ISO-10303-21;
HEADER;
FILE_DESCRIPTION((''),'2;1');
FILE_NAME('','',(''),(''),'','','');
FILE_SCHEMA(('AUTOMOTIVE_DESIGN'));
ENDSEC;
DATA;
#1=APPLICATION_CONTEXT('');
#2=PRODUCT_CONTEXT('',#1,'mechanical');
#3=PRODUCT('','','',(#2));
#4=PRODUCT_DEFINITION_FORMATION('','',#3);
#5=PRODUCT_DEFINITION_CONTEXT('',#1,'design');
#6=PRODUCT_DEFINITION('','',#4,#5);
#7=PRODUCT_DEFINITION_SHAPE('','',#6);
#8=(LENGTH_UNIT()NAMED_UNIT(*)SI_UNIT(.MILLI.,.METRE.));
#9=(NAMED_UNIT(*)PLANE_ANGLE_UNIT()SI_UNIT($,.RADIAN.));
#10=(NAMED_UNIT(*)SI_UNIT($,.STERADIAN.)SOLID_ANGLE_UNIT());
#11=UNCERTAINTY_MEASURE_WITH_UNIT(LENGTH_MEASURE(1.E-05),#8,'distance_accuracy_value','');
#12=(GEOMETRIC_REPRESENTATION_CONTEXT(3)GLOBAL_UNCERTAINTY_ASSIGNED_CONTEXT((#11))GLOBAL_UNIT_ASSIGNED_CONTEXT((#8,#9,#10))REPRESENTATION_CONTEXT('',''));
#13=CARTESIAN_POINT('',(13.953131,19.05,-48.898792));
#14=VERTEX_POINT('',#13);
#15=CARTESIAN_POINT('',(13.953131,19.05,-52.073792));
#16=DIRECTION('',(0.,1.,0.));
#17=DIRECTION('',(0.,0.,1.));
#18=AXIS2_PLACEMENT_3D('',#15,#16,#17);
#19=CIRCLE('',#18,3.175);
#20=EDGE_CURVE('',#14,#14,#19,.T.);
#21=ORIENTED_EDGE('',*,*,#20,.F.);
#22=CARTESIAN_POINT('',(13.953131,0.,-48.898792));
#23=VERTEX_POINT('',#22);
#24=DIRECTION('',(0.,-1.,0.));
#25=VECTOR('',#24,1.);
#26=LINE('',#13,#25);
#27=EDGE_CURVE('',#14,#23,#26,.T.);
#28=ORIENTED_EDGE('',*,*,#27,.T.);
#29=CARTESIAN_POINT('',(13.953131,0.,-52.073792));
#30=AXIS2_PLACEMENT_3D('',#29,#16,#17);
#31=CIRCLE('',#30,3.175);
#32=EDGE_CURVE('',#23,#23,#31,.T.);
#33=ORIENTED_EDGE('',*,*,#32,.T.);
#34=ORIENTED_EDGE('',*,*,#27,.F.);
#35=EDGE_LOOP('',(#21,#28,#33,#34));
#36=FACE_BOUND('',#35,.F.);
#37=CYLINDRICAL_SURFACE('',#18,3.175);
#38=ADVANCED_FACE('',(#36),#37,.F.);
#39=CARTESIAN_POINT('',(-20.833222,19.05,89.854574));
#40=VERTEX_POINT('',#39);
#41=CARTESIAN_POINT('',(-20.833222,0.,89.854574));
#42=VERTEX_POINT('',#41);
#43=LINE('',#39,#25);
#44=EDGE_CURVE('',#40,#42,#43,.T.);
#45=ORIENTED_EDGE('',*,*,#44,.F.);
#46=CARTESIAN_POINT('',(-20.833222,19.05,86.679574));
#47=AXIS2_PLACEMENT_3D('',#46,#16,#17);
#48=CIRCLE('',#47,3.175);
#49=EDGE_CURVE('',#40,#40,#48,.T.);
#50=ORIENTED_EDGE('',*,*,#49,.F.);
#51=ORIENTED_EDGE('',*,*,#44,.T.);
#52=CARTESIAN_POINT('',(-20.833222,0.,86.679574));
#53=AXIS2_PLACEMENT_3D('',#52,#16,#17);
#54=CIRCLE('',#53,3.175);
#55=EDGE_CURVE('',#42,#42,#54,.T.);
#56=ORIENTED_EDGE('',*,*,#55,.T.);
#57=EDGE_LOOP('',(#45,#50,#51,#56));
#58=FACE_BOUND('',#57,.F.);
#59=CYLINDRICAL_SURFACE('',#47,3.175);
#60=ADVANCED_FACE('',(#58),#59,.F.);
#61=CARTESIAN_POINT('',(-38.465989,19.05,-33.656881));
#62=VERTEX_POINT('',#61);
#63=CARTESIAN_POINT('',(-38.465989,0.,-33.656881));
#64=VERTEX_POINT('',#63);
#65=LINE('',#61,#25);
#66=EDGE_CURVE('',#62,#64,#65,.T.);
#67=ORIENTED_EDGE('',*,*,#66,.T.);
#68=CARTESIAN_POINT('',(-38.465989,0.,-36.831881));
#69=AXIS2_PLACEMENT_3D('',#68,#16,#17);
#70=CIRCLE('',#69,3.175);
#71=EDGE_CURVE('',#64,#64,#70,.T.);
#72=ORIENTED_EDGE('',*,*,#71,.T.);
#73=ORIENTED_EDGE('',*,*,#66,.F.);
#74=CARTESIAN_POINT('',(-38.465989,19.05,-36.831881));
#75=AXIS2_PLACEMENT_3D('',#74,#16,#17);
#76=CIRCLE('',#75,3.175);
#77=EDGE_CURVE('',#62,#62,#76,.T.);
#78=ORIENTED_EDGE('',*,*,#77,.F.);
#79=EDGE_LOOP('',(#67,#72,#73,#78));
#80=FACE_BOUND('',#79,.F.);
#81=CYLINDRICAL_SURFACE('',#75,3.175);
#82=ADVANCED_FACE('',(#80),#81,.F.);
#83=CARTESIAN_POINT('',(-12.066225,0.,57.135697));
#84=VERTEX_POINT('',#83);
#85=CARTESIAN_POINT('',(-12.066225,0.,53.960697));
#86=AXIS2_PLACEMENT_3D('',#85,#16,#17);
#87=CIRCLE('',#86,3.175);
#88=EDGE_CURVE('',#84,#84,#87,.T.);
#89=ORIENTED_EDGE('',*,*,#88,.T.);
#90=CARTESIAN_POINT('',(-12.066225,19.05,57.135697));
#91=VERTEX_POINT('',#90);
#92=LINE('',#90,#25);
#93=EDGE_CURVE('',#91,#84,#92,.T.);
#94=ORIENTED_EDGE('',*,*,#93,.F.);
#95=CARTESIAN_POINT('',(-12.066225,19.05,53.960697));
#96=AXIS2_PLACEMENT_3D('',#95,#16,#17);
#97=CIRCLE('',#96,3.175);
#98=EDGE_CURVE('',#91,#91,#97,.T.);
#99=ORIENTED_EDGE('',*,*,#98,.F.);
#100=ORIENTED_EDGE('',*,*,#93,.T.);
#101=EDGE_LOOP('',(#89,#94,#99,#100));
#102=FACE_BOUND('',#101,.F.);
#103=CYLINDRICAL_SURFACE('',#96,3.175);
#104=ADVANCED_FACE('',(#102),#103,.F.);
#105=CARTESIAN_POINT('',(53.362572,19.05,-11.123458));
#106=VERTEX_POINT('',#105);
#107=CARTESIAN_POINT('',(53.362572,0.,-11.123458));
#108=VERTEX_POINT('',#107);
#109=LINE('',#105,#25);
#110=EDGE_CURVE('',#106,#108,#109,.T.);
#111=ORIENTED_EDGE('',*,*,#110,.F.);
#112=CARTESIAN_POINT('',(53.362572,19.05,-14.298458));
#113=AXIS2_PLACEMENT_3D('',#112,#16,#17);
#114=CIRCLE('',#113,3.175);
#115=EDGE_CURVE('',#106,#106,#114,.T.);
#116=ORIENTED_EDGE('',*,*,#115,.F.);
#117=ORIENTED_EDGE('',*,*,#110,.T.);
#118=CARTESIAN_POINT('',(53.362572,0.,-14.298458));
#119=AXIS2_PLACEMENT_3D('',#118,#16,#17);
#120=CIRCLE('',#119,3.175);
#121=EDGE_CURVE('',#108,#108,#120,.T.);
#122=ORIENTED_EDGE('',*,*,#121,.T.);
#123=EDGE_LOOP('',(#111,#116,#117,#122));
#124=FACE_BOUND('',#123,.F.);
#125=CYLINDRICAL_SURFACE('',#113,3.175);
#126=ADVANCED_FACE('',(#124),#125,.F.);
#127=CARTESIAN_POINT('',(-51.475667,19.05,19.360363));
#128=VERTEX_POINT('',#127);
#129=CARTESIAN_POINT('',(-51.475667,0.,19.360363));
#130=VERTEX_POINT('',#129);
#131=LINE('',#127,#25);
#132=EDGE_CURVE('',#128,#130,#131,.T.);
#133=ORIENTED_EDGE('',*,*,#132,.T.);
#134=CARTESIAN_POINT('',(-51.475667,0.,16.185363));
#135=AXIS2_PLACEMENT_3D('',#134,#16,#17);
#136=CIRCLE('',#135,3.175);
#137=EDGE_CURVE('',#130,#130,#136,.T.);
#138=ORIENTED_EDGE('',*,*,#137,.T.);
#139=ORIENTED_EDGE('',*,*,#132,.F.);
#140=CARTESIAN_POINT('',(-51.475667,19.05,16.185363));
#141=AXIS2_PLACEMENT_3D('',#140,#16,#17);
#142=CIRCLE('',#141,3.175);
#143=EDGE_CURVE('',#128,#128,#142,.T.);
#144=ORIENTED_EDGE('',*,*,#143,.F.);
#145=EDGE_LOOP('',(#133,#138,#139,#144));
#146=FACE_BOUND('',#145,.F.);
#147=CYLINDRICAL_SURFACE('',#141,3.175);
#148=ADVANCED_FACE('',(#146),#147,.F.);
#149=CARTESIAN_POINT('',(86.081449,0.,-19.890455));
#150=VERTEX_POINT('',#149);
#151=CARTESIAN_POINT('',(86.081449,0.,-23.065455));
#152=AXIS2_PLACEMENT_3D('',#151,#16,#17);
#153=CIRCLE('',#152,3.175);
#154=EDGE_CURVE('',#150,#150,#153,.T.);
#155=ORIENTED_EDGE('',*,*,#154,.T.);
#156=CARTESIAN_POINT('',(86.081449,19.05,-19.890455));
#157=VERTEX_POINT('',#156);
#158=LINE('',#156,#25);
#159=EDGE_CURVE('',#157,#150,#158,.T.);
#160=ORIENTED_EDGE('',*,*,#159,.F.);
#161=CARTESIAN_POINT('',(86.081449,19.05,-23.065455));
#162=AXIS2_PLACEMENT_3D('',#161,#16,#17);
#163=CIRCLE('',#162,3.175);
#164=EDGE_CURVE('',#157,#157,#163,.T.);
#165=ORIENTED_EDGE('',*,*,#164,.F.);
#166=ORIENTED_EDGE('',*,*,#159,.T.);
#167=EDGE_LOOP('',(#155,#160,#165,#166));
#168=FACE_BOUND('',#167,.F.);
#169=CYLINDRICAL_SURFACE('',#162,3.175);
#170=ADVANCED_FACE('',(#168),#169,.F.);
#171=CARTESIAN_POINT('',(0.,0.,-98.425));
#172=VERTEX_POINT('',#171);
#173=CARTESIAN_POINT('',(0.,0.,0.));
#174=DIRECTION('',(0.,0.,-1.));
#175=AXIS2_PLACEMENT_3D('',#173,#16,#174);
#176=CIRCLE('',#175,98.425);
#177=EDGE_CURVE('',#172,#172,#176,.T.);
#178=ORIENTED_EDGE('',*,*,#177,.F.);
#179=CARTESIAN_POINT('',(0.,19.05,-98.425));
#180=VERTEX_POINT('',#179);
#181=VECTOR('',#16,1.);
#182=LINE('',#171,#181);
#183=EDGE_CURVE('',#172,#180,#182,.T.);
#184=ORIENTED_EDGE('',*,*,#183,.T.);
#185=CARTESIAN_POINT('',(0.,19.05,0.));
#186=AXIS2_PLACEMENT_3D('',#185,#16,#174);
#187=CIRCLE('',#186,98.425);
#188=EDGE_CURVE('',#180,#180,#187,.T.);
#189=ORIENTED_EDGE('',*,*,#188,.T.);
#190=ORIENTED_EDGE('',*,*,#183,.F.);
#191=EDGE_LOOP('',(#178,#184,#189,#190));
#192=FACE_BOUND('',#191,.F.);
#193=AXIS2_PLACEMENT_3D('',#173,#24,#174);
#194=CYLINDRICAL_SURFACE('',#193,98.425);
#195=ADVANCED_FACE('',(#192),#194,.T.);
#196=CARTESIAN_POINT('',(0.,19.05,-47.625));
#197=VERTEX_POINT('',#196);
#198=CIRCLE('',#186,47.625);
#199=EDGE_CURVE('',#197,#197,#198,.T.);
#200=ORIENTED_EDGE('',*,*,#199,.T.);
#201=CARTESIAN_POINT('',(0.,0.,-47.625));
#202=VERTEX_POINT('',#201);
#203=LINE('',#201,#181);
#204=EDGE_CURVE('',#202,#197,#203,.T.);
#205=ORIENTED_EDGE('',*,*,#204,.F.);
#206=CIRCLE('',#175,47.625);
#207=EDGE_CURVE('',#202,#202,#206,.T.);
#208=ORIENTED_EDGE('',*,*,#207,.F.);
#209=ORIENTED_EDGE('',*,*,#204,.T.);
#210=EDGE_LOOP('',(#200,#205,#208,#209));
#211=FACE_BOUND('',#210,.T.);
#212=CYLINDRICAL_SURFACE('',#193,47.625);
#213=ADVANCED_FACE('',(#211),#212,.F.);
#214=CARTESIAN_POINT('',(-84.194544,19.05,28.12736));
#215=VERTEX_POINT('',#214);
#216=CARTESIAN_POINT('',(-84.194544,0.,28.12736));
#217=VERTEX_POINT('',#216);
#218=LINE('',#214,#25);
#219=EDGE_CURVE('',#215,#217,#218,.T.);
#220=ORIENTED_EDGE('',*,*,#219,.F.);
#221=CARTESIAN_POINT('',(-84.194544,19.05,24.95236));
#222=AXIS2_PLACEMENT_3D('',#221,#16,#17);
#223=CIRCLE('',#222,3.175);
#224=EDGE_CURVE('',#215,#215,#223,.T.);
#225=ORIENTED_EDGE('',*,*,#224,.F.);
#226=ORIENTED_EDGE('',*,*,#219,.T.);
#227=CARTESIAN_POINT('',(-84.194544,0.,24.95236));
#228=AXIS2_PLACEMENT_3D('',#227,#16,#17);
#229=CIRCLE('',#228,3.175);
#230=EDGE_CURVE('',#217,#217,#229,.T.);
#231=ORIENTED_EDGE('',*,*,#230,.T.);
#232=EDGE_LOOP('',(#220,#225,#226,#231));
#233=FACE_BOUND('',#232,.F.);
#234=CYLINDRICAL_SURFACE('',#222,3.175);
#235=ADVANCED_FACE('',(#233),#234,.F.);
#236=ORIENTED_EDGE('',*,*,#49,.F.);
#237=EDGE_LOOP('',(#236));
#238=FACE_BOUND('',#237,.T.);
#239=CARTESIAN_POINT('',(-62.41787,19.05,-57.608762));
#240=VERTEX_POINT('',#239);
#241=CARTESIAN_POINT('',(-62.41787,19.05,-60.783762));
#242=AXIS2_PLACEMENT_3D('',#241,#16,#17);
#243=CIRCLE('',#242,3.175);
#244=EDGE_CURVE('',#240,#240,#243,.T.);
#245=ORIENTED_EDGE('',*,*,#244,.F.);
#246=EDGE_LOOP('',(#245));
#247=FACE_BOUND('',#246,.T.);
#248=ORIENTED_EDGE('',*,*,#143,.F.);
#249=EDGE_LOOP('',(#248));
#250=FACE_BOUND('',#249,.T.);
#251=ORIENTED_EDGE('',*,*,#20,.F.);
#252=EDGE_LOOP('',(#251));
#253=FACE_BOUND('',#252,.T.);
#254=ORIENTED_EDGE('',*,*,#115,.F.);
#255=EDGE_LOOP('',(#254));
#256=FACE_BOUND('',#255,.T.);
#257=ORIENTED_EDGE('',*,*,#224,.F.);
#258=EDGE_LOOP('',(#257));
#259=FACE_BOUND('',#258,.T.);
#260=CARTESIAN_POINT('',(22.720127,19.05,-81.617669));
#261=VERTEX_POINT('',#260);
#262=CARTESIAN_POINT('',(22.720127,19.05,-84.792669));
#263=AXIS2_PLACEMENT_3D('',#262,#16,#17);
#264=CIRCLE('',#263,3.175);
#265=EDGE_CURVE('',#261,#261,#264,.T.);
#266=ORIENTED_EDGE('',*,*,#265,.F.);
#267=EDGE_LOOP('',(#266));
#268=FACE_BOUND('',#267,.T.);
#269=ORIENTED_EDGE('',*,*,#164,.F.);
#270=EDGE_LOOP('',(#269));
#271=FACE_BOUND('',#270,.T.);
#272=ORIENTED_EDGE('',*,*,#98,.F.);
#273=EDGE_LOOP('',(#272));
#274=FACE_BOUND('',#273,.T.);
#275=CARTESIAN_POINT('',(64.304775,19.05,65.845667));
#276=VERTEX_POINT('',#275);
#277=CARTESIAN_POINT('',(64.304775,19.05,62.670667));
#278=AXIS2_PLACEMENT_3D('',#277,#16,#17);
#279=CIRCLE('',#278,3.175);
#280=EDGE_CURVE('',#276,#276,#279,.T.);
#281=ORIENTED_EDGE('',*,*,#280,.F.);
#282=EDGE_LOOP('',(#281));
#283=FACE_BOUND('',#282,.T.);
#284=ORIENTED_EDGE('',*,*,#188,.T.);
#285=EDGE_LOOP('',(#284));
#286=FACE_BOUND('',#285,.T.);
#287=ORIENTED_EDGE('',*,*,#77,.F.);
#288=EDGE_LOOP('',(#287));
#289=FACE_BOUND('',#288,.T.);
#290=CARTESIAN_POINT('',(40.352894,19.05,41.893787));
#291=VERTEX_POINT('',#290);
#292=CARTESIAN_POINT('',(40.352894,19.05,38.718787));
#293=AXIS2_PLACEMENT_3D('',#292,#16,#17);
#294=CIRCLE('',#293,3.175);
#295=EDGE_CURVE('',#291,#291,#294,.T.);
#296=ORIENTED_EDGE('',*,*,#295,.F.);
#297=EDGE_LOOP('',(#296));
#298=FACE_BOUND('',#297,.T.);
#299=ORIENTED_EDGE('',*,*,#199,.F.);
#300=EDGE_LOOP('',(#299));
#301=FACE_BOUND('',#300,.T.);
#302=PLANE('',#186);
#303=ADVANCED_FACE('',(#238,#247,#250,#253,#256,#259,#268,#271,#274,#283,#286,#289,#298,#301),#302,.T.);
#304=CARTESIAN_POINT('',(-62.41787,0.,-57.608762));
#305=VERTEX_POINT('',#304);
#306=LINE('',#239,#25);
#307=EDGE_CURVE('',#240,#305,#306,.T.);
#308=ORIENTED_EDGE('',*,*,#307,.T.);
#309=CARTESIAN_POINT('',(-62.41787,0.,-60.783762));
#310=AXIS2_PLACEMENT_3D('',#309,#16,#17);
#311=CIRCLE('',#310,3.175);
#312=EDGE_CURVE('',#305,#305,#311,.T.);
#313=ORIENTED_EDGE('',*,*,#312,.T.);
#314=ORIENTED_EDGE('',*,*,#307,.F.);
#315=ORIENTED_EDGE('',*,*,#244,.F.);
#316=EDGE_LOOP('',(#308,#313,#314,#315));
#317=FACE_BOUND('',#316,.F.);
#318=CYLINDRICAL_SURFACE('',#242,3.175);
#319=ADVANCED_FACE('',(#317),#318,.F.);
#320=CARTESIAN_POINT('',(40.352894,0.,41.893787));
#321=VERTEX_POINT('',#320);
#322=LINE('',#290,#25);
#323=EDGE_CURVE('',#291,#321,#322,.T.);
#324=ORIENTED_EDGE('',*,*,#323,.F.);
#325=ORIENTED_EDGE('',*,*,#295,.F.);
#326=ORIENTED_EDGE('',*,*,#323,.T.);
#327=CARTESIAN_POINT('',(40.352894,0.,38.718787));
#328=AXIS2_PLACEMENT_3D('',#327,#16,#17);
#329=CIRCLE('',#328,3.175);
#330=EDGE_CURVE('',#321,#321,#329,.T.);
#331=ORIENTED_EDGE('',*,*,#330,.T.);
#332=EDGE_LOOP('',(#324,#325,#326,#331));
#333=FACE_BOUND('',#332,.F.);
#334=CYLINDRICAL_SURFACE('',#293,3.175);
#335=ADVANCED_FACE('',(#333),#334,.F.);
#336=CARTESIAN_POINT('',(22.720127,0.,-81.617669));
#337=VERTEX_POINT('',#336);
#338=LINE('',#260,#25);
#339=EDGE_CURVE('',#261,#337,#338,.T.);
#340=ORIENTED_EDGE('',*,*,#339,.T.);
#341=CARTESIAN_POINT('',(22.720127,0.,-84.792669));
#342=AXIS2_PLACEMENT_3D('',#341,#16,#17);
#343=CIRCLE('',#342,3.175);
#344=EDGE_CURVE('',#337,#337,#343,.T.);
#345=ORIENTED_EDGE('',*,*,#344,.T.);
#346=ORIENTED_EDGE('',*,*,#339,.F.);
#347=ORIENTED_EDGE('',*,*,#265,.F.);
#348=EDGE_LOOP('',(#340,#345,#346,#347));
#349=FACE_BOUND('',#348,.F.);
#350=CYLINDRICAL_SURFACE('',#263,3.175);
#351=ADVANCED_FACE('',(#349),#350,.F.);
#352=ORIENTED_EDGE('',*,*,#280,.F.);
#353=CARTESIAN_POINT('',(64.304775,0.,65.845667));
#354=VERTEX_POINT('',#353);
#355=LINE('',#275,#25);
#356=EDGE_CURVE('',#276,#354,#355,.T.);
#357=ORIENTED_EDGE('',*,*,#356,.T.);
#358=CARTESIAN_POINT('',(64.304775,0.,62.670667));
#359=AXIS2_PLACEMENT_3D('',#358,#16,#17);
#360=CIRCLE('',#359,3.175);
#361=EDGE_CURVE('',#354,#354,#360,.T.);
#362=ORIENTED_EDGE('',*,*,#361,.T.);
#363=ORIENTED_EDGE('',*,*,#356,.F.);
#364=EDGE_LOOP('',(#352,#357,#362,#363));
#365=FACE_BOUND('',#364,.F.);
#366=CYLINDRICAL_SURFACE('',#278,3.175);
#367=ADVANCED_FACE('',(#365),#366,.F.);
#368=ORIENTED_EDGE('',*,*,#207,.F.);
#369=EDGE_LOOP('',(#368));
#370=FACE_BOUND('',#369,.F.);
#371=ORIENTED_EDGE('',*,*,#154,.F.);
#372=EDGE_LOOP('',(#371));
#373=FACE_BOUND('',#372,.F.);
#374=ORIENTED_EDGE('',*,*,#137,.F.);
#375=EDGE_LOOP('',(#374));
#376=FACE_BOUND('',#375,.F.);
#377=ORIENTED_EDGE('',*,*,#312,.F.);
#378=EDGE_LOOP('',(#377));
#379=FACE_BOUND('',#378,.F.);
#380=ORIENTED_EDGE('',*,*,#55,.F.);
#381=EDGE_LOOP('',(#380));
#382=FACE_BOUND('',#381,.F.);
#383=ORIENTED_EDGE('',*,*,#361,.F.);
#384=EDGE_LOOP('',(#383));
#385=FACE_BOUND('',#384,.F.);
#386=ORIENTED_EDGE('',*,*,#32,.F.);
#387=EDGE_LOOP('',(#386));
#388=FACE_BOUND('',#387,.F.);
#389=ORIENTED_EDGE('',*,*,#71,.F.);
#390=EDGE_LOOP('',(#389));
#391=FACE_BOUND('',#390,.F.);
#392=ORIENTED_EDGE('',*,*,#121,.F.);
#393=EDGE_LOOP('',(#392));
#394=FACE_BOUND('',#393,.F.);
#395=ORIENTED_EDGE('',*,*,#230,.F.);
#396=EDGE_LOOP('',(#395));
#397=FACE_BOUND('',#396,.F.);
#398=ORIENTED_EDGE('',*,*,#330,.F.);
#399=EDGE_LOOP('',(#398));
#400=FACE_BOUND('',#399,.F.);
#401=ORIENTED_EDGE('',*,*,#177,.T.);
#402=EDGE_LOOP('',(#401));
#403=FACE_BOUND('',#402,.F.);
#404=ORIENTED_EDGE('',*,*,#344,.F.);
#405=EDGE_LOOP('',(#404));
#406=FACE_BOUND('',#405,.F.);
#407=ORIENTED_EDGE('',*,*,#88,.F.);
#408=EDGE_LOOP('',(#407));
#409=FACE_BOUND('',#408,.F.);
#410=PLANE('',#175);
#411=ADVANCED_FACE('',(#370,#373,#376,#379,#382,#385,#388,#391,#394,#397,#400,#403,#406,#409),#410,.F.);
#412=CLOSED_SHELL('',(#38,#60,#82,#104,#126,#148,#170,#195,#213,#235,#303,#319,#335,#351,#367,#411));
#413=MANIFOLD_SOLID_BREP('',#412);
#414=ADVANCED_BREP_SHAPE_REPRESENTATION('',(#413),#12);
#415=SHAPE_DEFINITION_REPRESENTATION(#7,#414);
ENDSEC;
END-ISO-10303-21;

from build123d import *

# Parameters (mm, degrees)
SKETCH1_R           = 98.425
SKETCH1_R_2         = 47.625
BOSS_EXTRUDE1_DEPTH = 19.05
SKETCH2_R           = 3.175
CUT_EXTRUDE1_DEPTH  = 19.05


with BuildPart() as part:
    # Sketch1 → Boss-Extrude1 (new body)
    with BuildSketch(Plane(origin=(0, 0, 0), x_dir=(1, 0, 0), z_dir=(0, 1, 0))):
        with Locations(Location((0, 0, 0), (0, 0, 90))):
            Circle(SKETCH1_R)
        with Locations(Location((0, 0, 0), (0, 0, 90))):
            Circle(SKETCH1_R_2, mode=Mode.SUBTRACT)
    extrude(amount=BOSS_EXTRUDE1_DEPTH)

    # Sketch2 → Cut-Extrude1 (cut)
    with BuildSketch(Plane(origin=(0, 19.05, 0), x_dir=(1, 0, 0), z_dir=(0, 1, 0))):
        with Locations(Location((53.362572273, 14.298458147, 0), (0, 0, 270))):
            Circle(SKETCH2_R)
        with Locations(Location((86.081449469, 23.065454869, 0), (0, 0, 270))):
            Circle(SKETCH2_R)
        with Locations(Location((40.352894367, -38.718786502, 0), (0, 0, 270))):
            Circle(SKETCH2_R)
        with Locations(Location((64.304774841, -62.670666976, 0), (0, 0, 270))):
            Circle(SKETCH2_R)
        with Locations(Location((-12.066225291, -53.960697264, 0), (0, 0, 270))):
            Circle(SKETCH2_R)
        with Locations(Location((-20.833222013, -86.67957446, 0), (0, 0, 270))):
            Circle(SKETCH2_R)
        with Locations(Location((-51.475667042, -16.185363378, 0), (0, 0, 270))):
            Circle(SKETCH2_R)
        with Locations(Location((-84.194544238, -24.9523601, 0), (0, 0, 270))):
            Circle(SKETCH2_R)
        with Locations(Location((-38.465989136, 36.831881271, 0), (0, 0, 270))):
            Circle(SKETCH2_R)
        with Locations(Location((-62.41786961, 60.783761745, 0), (0, 0, 270))):
            Circle(SKETCH2_R)
        with Locations(Location((13.953130522, 52.073792033, 0), (0, 0, 270))):
            Circle(SKETCH2_R)
        with Locations(Location((22.720127244, 84.792669229, 0), (0, 0, 270))):
            Circle(SKETCH2_R)
    extrude(amount=-CUT_EXTRUDE1_DEPTH, mode=Mode.SUBTRACT)


solid = part.part
